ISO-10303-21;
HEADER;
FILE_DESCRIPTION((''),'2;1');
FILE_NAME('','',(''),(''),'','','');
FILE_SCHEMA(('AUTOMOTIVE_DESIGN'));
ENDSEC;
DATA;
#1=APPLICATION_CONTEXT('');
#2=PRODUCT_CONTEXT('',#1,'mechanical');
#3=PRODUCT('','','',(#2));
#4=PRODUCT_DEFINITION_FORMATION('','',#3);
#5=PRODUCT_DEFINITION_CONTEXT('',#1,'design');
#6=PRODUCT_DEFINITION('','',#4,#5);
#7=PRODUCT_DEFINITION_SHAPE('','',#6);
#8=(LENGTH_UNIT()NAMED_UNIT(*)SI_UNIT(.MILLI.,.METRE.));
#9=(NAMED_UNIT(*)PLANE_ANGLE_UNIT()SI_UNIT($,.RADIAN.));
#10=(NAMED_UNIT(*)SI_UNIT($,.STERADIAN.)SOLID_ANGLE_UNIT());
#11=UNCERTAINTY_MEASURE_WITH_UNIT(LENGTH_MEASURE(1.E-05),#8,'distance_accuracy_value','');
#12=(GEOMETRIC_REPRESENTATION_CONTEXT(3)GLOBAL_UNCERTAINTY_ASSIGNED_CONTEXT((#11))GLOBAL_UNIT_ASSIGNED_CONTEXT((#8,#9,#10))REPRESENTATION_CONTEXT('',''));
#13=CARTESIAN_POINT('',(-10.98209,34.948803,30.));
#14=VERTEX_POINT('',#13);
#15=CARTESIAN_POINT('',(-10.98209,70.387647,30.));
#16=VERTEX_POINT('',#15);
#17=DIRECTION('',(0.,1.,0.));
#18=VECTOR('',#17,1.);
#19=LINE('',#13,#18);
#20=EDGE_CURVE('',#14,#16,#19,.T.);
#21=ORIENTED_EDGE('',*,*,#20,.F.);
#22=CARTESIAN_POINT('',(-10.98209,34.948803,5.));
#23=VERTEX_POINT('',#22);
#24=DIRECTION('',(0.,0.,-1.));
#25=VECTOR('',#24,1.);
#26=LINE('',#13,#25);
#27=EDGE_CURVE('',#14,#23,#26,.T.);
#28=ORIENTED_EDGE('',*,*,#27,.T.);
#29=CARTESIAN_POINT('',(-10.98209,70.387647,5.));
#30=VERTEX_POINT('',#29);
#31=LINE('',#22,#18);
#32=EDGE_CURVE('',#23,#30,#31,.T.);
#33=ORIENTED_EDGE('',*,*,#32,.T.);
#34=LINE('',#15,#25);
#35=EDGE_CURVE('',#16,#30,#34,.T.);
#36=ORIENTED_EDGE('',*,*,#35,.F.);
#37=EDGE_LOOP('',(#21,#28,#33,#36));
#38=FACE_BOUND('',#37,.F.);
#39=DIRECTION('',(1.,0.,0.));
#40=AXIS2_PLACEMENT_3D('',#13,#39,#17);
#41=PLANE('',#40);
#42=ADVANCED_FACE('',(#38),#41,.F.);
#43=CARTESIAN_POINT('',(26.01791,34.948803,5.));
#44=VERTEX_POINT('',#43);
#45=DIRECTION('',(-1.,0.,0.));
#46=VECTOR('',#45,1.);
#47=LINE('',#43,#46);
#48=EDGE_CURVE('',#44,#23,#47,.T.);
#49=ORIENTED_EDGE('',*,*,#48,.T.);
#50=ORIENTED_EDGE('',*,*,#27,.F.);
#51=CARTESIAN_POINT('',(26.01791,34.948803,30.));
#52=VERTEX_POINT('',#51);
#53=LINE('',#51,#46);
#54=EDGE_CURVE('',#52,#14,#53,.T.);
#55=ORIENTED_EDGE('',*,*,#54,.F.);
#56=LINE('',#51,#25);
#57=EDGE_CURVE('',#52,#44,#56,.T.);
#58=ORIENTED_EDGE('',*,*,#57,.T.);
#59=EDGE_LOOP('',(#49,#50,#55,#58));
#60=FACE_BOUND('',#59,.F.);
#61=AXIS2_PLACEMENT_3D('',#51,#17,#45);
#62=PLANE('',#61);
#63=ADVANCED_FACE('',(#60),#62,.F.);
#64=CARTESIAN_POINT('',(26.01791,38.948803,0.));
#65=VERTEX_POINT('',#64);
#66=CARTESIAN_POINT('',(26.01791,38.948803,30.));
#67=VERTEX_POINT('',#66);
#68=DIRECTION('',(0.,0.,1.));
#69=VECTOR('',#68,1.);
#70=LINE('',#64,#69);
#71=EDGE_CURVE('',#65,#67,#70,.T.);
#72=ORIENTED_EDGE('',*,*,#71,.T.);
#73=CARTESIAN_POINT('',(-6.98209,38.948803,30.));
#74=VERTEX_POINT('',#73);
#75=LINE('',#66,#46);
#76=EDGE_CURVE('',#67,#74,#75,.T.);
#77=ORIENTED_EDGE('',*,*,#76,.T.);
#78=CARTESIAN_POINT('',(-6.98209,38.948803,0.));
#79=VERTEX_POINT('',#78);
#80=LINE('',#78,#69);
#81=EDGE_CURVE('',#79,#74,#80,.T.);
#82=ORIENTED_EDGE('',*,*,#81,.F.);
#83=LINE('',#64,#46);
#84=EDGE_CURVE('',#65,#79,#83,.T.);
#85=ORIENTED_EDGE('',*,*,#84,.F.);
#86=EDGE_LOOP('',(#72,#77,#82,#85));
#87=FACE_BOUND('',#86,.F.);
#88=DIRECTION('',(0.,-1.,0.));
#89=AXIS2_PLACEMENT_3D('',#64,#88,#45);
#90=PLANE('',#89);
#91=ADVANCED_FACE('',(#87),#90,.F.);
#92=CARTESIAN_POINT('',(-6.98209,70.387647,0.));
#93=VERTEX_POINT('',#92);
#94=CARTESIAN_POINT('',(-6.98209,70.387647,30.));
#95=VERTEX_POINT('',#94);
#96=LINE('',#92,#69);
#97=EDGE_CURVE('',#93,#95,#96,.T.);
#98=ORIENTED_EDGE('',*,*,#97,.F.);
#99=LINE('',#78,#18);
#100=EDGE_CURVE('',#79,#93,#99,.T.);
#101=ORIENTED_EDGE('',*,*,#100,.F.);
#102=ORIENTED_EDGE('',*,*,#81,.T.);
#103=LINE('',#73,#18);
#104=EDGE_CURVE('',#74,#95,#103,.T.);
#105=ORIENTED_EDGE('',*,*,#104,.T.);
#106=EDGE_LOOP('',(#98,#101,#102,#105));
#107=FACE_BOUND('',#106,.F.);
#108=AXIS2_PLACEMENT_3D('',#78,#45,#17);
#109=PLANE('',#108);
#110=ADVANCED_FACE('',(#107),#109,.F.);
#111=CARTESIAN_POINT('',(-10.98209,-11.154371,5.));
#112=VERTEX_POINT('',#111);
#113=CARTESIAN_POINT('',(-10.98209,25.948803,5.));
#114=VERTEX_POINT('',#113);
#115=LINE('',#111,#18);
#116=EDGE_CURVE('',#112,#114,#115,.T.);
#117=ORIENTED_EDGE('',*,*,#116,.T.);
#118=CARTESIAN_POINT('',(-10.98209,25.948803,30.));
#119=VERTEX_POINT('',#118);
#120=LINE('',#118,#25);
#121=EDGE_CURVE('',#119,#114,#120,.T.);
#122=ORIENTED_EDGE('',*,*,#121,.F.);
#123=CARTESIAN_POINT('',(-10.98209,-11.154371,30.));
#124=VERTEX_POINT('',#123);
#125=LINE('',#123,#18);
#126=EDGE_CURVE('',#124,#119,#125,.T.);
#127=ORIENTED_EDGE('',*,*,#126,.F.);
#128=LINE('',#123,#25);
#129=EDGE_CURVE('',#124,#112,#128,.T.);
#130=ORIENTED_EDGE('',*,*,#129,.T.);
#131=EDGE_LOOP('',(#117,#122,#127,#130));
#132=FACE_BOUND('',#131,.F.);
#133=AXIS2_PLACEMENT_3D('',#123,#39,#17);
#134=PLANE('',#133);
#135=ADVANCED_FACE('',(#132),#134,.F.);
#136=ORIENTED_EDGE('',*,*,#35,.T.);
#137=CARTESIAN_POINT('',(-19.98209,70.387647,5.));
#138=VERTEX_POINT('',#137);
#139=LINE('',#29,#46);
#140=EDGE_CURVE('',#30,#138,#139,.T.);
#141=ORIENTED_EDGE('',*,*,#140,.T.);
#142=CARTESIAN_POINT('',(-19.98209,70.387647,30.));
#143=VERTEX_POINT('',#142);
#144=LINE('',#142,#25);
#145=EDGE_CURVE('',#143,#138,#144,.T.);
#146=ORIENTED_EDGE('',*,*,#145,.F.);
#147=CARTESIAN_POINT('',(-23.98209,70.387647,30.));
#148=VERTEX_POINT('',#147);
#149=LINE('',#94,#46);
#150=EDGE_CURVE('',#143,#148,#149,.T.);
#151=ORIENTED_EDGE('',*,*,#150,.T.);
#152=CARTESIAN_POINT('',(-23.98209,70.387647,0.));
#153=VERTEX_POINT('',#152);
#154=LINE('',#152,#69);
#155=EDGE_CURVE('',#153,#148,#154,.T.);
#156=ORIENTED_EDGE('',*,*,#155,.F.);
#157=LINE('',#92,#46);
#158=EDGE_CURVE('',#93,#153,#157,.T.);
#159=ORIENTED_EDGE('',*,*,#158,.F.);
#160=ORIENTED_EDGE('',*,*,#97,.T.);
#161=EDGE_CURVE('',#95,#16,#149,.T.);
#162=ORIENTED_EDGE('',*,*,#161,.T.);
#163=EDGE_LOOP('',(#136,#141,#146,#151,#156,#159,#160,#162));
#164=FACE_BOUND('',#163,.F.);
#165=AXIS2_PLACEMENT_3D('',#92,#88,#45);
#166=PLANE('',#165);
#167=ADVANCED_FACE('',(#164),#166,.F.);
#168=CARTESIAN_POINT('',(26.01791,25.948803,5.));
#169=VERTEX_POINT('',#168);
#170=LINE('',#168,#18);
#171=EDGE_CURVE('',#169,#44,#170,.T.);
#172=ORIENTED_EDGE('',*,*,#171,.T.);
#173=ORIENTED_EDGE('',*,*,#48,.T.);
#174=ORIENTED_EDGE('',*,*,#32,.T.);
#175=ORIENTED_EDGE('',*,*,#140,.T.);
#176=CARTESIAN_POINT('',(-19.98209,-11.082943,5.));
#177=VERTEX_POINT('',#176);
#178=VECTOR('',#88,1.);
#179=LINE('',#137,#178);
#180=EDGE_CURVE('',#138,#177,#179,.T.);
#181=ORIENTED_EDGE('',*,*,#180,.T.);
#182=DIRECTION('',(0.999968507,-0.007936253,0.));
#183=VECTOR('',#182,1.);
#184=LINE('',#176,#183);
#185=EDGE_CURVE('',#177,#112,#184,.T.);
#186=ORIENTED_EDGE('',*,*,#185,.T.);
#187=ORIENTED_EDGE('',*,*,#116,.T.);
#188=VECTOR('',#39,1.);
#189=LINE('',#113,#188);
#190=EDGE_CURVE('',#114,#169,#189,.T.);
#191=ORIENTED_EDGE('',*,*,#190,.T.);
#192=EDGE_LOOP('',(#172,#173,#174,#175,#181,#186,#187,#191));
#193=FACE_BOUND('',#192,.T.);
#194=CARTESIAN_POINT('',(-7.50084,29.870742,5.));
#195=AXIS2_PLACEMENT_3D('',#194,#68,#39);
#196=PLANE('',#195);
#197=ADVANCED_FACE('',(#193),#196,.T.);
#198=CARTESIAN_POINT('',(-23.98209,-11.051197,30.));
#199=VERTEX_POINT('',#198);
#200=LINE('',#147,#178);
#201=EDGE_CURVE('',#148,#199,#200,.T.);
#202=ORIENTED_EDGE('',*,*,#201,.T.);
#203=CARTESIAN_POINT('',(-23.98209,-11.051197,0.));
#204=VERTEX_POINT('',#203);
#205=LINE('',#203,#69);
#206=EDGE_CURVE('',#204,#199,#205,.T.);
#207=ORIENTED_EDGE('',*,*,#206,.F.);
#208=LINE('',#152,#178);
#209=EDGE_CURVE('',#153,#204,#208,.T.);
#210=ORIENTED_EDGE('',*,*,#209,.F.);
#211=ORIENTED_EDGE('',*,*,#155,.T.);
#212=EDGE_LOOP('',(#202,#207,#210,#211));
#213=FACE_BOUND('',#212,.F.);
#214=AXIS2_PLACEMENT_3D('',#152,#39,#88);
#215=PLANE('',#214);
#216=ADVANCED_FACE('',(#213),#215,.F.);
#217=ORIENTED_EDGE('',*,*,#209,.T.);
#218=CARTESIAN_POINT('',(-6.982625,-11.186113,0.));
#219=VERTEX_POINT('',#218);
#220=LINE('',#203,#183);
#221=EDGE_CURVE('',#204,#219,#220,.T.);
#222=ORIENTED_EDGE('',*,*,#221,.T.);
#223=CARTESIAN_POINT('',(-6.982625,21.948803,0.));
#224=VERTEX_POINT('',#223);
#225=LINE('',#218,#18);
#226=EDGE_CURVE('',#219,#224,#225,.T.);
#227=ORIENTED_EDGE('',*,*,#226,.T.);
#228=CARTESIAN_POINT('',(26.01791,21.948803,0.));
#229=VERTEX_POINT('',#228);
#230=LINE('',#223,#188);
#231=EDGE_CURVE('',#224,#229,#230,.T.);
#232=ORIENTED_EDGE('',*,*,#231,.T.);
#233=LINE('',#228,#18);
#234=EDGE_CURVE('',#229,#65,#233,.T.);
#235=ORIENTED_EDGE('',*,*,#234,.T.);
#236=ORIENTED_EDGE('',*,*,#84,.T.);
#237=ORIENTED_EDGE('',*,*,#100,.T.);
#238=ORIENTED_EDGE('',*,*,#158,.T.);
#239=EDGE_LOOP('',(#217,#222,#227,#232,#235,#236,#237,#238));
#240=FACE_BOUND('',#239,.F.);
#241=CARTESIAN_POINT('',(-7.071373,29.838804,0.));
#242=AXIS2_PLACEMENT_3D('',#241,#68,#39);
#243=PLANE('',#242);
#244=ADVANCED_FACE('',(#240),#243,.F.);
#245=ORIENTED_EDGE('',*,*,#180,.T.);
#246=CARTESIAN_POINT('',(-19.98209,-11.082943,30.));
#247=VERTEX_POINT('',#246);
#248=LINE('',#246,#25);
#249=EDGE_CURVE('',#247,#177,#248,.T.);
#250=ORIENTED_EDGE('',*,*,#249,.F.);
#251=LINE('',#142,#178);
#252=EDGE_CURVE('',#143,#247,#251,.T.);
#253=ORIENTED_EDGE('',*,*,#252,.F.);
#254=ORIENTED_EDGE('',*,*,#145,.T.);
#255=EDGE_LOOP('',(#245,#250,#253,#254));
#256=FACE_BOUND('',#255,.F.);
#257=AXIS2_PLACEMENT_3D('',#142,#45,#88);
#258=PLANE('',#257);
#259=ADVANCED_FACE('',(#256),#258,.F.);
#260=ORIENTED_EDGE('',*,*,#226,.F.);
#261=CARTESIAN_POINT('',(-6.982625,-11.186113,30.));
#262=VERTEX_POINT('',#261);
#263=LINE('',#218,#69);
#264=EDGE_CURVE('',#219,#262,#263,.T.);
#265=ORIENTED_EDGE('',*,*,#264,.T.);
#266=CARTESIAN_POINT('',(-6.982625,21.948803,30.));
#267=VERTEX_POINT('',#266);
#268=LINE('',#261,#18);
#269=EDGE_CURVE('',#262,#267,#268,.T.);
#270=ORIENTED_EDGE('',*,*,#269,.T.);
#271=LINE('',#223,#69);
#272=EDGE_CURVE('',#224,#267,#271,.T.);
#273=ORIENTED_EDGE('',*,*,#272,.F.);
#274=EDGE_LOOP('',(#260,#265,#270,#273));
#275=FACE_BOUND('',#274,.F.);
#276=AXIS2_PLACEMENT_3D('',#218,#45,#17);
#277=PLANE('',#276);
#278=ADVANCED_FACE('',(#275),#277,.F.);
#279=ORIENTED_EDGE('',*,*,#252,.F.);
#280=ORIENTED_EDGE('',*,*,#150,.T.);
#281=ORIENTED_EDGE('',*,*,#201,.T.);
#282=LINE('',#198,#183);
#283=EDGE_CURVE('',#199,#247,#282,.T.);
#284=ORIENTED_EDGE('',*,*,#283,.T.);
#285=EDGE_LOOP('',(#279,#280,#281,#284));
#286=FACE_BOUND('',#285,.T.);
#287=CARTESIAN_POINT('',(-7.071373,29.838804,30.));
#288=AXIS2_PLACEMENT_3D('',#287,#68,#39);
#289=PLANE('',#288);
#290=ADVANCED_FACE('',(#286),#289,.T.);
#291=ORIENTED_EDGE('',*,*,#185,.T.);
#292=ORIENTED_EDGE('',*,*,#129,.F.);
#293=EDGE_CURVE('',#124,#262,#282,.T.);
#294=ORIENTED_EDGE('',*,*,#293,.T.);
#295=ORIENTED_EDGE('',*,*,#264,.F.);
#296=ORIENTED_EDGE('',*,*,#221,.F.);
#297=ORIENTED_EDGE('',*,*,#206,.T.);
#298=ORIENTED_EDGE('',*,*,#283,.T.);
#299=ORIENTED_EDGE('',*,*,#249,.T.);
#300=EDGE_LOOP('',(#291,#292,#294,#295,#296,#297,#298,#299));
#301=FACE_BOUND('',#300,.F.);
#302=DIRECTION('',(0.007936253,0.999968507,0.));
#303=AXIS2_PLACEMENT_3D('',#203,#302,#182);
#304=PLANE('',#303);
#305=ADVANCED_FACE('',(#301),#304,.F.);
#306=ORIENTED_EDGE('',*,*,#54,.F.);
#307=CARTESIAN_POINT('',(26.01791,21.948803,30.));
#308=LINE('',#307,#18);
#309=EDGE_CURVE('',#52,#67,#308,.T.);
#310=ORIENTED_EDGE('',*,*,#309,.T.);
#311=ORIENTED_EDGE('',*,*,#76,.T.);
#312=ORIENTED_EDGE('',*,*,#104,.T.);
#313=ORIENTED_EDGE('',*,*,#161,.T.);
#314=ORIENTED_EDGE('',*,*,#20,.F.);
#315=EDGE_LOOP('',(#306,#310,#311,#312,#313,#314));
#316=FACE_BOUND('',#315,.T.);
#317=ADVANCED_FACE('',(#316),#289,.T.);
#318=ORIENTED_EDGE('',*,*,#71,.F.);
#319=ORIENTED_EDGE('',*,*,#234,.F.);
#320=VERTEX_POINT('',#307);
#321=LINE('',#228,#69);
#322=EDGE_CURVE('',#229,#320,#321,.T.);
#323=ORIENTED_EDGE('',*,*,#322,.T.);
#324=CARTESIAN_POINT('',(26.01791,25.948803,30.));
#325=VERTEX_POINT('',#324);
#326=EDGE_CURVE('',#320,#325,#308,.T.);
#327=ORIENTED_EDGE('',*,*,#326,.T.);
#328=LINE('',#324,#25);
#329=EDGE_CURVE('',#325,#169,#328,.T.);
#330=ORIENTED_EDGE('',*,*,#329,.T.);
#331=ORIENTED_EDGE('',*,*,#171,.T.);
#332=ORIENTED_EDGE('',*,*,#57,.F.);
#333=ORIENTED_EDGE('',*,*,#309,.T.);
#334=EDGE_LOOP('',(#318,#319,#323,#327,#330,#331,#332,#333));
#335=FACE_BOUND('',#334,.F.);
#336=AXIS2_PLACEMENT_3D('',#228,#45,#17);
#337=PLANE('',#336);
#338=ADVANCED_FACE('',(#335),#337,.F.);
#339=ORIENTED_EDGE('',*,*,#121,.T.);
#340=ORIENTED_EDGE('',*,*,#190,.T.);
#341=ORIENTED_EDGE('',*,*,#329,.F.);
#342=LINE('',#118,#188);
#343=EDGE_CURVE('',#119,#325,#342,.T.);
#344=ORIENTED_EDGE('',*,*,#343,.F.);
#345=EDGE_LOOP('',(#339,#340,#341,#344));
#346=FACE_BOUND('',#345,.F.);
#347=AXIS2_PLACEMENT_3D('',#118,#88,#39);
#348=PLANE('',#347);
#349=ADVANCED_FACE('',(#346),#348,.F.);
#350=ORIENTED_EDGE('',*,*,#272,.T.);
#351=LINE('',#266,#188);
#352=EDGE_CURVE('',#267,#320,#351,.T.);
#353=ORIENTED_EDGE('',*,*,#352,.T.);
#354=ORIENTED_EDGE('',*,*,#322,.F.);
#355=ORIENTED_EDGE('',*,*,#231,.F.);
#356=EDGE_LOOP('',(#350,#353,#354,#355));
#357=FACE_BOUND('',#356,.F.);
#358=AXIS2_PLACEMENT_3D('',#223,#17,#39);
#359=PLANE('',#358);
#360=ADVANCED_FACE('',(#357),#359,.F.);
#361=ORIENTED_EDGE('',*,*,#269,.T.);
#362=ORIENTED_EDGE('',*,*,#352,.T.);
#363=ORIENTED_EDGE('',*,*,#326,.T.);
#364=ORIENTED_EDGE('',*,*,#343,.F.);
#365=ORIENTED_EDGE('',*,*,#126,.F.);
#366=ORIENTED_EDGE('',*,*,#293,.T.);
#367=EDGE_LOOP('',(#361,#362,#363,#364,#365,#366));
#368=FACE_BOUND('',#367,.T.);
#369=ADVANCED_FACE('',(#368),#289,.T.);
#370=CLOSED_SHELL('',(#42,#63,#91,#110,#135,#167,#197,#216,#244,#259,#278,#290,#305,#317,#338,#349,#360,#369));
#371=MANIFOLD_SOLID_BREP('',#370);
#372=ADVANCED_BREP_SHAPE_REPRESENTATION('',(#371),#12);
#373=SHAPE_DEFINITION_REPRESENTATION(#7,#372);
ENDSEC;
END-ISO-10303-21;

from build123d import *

# Parameters (mm, degrees)
F1_DEPTH = 30
F3_DEPTH = 25


with BuildPart() as f1:
    # F0 (on Top) → F1 (new body)
    with BuildSketch(Plane.XY):
        Polygon((-23.9820895971, 38.9488031475), (-23.9820895971, -11.0511968525), (-6.9826249704, -11.186113151), (-6.9826249704, 21.9488031475), (26.0179104029, 21.9488031475), (26.0179104029, 38.9488031475), (-6.9820895971, 38.9488031475), (-6.9820895971, 70.3876465559), (-23.9820895971, 70.3876465559), align=None)
    extrude(amount=F1_DEPTH)

    # F2 (on face) → F3 (cut)
    with BuildSketch(Plane.XY.offset(30)):
        Polygon((-19.9820895971, 34.9488031475), (-19.9820895971, -11.0829428637), (-10.9820895971, -11.1543713888), (-10.9820895971, 25.9488031475), (26.0179104029, 25.9488031475), (26.0179104029, 34.9488031475), (-10.9820895971, 34.9488031475), (-10.9820895971, 70.3876465559), (-19.9820895971, 70.3876465559), align=None)
    extrude(amount=-F3_DEPTH, mode=Mode.SUBTRACT)


solid = f1.part
